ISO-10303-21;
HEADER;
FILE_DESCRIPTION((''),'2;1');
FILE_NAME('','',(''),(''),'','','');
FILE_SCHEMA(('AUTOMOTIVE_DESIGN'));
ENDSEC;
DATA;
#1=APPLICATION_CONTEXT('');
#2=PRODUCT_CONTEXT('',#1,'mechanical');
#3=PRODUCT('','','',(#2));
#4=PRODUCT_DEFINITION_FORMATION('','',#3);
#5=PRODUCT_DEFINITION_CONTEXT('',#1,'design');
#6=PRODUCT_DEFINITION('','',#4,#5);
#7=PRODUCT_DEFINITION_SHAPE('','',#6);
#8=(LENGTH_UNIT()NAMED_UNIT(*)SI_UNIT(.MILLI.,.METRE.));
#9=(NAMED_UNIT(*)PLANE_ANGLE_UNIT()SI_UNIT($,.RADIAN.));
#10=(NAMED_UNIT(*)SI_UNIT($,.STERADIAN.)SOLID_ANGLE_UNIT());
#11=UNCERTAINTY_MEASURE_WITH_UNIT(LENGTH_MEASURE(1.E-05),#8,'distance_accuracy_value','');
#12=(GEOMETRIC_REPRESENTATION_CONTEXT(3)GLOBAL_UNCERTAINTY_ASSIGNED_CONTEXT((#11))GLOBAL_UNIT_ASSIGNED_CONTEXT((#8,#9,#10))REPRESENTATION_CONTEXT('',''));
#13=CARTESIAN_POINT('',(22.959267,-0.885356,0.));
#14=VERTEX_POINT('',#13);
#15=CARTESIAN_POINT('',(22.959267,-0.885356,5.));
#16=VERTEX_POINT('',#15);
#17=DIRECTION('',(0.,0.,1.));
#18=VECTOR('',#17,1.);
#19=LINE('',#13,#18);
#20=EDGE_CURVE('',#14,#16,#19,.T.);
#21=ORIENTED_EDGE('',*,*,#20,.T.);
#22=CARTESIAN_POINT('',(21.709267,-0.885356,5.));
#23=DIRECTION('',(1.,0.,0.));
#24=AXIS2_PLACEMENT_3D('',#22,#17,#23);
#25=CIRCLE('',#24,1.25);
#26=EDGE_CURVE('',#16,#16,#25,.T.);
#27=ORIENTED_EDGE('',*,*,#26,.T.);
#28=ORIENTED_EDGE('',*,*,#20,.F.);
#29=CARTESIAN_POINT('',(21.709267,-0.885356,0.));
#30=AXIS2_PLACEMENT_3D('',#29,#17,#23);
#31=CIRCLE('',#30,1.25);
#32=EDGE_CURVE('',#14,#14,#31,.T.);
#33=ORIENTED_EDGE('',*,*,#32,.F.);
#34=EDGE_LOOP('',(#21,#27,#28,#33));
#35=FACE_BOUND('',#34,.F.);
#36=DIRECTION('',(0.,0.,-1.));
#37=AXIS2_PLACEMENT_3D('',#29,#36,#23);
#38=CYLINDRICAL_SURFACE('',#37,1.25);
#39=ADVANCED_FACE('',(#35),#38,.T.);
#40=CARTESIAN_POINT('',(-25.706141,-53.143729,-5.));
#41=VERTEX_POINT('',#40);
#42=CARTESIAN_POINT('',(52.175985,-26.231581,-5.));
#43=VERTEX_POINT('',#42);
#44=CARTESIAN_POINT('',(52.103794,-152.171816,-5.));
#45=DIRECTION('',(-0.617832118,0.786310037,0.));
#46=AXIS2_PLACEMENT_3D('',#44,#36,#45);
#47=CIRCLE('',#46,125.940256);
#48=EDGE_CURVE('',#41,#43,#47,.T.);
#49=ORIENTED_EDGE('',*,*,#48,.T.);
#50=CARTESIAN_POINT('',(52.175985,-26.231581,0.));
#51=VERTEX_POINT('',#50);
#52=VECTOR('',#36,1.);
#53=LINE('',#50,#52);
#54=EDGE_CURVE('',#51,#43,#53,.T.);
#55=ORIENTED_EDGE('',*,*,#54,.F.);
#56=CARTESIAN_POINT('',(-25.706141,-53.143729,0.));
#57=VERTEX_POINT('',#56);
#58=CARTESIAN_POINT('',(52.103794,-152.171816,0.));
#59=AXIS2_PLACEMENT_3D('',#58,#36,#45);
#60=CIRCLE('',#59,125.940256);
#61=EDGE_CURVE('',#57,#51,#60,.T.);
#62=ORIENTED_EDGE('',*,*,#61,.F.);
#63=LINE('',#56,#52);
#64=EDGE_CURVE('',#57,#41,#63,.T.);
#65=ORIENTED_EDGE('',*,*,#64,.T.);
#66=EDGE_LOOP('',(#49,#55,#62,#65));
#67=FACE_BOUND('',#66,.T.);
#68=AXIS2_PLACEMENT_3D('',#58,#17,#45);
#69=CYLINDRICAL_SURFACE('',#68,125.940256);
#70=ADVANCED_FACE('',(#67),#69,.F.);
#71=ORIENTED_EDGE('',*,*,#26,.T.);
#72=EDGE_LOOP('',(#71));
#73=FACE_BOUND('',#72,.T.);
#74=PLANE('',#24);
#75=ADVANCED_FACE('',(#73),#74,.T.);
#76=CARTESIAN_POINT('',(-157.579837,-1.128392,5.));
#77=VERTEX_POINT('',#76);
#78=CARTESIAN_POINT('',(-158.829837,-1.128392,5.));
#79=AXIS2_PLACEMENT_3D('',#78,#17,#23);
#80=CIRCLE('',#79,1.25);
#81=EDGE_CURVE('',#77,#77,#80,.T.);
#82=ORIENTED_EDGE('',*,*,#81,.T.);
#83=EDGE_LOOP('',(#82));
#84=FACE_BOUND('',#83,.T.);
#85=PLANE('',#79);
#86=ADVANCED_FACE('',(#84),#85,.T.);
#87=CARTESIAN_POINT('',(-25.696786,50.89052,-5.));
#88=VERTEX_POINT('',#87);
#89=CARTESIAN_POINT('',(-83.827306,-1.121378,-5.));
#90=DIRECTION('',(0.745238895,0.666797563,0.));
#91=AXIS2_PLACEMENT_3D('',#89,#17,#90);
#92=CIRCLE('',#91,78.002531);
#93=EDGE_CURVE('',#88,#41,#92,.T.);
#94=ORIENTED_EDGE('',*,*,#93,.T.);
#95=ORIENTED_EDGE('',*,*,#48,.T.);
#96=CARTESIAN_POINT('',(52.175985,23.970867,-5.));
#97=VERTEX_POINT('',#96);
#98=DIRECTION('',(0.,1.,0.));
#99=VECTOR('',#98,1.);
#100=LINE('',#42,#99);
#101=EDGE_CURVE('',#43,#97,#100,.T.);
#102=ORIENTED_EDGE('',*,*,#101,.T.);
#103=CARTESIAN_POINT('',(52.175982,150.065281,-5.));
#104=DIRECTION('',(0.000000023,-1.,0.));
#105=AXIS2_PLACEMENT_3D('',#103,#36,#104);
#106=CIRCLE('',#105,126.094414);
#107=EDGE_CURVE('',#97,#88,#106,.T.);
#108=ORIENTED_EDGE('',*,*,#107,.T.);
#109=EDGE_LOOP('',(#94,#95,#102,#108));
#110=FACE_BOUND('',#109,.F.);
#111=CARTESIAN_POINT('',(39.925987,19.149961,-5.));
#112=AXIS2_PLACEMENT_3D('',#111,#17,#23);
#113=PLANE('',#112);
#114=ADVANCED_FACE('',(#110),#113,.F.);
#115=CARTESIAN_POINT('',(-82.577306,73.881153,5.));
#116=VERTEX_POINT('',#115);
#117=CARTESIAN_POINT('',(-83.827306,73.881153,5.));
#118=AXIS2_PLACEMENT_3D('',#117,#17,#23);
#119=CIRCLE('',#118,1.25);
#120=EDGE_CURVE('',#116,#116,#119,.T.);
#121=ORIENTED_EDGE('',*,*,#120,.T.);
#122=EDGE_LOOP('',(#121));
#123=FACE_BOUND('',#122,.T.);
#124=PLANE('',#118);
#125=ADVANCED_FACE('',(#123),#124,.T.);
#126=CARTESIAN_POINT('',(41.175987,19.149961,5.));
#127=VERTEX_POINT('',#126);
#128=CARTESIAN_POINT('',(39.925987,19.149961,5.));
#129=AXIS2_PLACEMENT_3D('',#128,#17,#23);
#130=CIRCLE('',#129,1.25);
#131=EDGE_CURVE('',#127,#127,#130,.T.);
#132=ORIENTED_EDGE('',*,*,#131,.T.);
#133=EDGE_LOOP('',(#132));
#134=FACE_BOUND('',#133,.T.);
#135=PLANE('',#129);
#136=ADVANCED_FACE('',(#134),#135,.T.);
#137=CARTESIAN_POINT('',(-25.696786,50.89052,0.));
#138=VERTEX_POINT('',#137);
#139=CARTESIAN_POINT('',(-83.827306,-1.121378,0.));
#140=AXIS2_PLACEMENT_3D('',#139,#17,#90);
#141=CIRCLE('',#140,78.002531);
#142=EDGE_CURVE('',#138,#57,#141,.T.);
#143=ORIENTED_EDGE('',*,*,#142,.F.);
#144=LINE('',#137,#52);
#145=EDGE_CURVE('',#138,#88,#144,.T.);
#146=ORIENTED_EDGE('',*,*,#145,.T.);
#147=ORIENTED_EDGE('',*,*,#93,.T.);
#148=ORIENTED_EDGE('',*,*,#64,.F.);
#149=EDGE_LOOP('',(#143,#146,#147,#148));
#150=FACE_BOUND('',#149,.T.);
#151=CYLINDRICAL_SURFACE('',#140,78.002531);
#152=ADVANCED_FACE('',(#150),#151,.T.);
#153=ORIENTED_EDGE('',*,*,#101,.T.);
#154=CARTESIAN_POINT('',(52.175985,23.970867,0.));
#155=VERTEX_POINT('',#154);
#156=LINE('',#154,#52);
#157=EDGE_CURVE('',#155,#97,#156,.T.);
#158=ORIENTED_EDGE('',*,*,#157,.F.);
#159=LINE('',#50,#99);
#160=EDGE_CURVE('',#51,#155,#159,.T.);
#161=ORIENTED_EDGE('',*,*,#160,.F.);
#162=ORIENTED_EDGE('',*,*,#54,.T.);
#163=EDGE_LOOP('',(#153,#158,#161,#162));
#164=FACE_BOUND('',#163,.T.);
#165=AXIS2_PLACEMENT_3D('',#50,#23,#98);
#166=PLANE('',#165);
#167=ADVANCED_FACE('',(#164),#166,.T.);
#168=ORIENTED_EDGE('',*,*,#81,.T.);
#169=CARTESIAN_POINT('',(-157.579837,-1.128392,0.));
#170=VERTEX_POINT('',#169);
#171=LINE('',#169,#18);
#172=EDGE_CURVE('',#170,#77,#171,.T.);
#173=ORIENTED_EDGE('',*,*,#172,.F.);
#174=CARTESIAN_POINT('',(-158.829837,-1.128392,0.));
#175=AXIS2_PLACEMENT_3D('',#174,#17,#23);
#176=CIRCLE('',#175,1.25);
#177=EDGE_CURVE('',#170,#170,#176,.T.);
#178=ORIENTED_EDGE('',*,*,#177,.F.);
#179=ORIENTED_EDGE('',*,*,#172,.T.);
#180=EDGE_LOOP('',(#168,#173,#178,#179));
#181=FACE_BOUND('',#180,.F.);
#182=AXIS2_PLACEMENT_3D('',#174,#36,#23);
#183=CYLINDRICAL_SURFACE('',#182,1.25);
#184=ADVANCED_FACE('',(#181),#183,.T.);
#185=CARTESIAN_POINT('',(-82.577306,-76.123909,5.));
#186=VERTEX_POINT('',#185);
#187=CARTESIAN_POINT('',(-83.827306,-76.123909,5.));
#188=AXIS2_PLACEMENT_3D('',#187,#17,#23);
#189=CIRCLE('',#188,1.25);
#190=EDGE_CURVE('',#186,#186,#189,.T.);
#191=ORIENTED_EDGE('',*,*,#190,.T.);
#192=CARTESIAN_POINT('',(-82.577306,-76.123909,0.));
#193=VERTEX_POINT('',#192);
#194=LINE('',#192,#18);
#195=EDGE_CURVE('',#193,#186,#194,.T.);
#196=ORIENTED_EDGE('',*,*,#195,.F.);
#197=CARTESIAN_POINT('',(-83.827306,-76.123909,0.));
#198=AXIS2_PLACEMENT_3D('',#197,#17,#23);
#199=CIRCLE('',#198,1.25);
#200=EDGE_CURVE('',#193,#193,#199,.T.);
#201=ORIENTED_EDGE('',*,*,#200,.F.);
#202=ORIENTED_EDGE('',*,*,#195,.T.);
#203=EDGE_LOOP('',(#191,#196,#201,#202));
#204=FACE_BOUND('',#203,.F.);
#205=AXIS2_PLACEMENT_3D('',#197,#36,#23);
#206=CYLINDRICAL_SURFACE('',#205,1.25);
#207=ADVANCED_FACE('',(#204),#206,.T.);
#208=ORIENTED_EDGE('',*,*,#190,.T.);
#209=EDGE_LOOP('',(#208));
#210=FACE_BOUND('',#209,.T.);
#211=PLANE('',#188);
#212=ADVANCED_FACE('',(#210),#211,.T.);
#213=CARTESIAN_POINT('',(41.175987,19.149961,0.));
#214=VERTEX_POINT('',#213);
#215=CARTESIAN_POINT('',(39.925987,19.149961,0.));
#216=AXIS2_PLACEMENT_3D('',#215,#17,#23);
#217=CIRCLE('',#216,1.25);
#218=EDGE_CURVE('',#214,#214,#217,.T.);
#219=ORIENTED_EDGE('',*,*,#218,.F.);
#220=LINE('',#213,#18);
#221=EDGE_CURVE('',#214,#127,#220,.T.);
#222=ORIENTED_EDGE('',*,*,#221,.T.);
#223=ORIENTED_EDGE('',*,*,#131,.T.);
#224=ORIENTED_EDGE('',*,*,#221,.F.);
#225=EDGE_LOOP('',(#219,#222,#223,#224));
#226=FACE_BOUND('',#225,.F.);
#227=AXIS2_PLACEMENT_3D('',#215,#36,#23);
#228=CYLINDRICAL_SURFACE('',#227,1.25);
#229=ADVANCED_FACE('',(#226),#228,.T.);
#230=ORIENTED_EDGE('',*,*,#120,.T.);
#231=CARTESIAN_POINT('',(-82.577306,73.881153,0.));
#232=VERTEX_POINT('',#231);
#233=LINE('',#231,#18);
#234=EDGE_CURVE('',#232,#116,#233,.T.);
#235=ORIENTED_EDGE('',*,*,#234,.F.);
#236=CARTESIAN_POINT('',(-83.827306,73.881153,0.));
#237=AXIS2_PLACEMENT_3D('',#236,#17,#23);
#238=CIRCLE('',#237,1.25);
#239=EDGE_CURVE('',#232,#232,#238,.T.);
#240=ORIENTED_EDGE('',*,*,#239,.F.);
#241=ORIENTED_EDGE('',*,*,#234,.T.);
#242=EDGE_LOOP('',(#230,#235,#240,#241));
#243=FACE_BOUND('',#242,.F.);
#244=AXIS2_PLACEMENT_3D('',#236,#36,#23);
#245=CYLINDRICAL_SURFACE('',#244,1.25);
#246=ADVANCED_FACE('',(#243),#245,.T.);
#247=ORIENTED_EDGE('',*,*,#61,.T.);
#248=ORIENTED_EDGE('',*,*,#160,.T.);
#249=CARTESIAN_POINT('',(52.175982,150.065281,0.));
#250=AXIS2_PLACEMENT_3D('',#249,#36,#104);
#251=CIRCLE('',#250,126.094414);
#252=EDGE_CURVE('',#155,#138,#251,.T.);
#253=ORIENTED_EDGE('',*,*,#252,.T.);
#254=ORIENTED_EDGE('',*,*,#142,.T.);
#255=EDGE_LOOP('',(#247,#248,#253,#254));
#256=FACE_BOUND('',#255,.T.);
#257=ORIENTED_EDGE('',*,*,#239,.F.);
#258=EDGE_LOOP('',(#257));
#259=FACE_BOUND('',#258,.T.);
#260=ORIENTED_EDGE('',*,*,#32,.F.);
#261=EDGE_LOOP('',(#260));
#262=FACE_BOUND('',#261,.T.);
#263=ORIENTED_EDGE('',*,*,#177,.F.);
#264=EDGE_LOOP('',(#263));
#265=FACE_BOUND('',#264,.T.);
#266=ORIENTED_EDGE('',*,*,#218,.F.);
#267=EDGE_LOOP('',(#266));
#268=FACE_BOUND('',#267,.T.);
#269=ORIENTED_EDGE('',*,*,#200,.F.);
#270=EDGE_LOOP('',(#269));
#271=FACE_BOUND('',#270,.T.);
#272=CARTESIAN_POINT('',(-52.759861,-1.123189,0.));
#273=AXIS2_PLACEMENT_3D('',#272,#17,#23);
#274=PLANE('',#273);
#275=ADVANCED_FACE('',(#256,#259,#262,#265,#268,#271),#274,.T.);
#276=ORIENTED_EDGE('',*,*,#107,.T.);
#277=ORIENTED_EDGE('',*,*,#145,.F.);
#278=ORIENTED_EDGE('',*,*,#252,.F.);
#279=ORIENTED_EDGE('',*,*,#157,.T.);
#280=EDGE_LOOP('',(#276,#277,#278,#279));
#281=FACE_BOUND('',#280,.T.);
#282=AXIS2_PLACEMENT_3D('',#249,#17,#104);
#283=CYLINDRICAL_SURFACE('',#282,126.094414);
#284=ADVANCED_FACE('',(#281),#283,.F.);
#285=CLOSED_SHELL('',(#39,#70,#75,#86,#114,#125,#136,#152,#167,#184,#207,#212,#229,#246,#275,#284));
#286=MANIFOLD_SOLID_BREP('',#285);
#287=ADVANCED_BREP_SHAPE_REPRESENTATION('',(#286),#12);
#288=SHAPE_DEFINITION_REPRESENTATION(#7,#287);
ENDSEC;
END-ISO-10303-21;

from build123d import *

# Parameters (mm, degrees)
F0_R     = 1.25
F1_DEPTH = 5
F2_DEPTH = 5
F3_DEPTH = 5


with BuildPart() as f1:
    # F0 (on Top) → F1 (new body)
    with BuildSketch(Plane.XY):
        with BuildLine():
            ThreePointArc((52.175985, 23.970867), (10.978788, 30.890651), (-25.696786, 50.89052))
            ThreePointArc((-25.696786, 50.89052), (-161.829837, -1.114364), (-25.706141, -53.143729))
            ThreePointArc((-25.706141, -53.143729), (10.971628, -33.137817), (52.175985, -26.231581))
            Line((52.175985, -26.231581), (52.175985, -1.131581))
            Line((52.175985, -1.131581), (52.175985, 23.970867))
        make_face()
        with Locations((-83.827306, -76.123909)):
            Circle(F0_R, mode=Mode.SUBTRACT)
        with Locations((-158.829837, -1.128392)):
            Circle(F0_R, mode=Mode.SUBTRACT)
        with Locations((-83.827306, 73.881153)):
            Circle(F0_R, mode=Mode.SUBTRACT)
        with Locations((21.709267, -0.885356)):
            Circle(F0_R, mode=Mode.SUBTRACT)
        with Locations((39.925987, 19.149961)):
            Circle(F0_R, mode=Mode.SUBTRACT)
    extrude(amount=-F1_DEPTH)


with BuildPart() as f2:
    # F0 (on Top) → F2 (new body)
    with BuildSketch(Plane.XY):
        with Locations((39.925987, 19.149961)):
            Circle(F0_R)
        with Locations((21.709267, -0.885356)):
            Circle(F0_R)
        with Locations((-83.827306, 73.881153)):
            Circle(F0_R)
        with Locations((-83.827306, -76.123909)):
            Circle(F0_R)
        with Locations((-158.829837, -1.128392)):
            Circle(F0_R)
    extrude(amount=F2_DEPTH)


with BuildPart() as f3:
    # F0 (on Top) → F3 (new body)
    with BuildSketch(Plane.XY):
        with Locations((-158.829837, -1.128392)):
            Circle(F0_R)
        with Locations((-83.827306, -76.123909)):
            Circle(F0_R)
        with Locations((-83.827306, 73.881153)):
            Circle(F0_R)
        with Locations((21.709267, -0.885356)):
            Circle(F0_R)
        with Locations((39.925987, 19.149961)):
            Circle(F0_R)
    extrude(amount=-F3_DEPTH)


with BuildPart() as f1_1:
    add(f1.part)

    # F4: union F2, F3
    add(f2.part)
    add(f3.part)


solid = f1_1.part
